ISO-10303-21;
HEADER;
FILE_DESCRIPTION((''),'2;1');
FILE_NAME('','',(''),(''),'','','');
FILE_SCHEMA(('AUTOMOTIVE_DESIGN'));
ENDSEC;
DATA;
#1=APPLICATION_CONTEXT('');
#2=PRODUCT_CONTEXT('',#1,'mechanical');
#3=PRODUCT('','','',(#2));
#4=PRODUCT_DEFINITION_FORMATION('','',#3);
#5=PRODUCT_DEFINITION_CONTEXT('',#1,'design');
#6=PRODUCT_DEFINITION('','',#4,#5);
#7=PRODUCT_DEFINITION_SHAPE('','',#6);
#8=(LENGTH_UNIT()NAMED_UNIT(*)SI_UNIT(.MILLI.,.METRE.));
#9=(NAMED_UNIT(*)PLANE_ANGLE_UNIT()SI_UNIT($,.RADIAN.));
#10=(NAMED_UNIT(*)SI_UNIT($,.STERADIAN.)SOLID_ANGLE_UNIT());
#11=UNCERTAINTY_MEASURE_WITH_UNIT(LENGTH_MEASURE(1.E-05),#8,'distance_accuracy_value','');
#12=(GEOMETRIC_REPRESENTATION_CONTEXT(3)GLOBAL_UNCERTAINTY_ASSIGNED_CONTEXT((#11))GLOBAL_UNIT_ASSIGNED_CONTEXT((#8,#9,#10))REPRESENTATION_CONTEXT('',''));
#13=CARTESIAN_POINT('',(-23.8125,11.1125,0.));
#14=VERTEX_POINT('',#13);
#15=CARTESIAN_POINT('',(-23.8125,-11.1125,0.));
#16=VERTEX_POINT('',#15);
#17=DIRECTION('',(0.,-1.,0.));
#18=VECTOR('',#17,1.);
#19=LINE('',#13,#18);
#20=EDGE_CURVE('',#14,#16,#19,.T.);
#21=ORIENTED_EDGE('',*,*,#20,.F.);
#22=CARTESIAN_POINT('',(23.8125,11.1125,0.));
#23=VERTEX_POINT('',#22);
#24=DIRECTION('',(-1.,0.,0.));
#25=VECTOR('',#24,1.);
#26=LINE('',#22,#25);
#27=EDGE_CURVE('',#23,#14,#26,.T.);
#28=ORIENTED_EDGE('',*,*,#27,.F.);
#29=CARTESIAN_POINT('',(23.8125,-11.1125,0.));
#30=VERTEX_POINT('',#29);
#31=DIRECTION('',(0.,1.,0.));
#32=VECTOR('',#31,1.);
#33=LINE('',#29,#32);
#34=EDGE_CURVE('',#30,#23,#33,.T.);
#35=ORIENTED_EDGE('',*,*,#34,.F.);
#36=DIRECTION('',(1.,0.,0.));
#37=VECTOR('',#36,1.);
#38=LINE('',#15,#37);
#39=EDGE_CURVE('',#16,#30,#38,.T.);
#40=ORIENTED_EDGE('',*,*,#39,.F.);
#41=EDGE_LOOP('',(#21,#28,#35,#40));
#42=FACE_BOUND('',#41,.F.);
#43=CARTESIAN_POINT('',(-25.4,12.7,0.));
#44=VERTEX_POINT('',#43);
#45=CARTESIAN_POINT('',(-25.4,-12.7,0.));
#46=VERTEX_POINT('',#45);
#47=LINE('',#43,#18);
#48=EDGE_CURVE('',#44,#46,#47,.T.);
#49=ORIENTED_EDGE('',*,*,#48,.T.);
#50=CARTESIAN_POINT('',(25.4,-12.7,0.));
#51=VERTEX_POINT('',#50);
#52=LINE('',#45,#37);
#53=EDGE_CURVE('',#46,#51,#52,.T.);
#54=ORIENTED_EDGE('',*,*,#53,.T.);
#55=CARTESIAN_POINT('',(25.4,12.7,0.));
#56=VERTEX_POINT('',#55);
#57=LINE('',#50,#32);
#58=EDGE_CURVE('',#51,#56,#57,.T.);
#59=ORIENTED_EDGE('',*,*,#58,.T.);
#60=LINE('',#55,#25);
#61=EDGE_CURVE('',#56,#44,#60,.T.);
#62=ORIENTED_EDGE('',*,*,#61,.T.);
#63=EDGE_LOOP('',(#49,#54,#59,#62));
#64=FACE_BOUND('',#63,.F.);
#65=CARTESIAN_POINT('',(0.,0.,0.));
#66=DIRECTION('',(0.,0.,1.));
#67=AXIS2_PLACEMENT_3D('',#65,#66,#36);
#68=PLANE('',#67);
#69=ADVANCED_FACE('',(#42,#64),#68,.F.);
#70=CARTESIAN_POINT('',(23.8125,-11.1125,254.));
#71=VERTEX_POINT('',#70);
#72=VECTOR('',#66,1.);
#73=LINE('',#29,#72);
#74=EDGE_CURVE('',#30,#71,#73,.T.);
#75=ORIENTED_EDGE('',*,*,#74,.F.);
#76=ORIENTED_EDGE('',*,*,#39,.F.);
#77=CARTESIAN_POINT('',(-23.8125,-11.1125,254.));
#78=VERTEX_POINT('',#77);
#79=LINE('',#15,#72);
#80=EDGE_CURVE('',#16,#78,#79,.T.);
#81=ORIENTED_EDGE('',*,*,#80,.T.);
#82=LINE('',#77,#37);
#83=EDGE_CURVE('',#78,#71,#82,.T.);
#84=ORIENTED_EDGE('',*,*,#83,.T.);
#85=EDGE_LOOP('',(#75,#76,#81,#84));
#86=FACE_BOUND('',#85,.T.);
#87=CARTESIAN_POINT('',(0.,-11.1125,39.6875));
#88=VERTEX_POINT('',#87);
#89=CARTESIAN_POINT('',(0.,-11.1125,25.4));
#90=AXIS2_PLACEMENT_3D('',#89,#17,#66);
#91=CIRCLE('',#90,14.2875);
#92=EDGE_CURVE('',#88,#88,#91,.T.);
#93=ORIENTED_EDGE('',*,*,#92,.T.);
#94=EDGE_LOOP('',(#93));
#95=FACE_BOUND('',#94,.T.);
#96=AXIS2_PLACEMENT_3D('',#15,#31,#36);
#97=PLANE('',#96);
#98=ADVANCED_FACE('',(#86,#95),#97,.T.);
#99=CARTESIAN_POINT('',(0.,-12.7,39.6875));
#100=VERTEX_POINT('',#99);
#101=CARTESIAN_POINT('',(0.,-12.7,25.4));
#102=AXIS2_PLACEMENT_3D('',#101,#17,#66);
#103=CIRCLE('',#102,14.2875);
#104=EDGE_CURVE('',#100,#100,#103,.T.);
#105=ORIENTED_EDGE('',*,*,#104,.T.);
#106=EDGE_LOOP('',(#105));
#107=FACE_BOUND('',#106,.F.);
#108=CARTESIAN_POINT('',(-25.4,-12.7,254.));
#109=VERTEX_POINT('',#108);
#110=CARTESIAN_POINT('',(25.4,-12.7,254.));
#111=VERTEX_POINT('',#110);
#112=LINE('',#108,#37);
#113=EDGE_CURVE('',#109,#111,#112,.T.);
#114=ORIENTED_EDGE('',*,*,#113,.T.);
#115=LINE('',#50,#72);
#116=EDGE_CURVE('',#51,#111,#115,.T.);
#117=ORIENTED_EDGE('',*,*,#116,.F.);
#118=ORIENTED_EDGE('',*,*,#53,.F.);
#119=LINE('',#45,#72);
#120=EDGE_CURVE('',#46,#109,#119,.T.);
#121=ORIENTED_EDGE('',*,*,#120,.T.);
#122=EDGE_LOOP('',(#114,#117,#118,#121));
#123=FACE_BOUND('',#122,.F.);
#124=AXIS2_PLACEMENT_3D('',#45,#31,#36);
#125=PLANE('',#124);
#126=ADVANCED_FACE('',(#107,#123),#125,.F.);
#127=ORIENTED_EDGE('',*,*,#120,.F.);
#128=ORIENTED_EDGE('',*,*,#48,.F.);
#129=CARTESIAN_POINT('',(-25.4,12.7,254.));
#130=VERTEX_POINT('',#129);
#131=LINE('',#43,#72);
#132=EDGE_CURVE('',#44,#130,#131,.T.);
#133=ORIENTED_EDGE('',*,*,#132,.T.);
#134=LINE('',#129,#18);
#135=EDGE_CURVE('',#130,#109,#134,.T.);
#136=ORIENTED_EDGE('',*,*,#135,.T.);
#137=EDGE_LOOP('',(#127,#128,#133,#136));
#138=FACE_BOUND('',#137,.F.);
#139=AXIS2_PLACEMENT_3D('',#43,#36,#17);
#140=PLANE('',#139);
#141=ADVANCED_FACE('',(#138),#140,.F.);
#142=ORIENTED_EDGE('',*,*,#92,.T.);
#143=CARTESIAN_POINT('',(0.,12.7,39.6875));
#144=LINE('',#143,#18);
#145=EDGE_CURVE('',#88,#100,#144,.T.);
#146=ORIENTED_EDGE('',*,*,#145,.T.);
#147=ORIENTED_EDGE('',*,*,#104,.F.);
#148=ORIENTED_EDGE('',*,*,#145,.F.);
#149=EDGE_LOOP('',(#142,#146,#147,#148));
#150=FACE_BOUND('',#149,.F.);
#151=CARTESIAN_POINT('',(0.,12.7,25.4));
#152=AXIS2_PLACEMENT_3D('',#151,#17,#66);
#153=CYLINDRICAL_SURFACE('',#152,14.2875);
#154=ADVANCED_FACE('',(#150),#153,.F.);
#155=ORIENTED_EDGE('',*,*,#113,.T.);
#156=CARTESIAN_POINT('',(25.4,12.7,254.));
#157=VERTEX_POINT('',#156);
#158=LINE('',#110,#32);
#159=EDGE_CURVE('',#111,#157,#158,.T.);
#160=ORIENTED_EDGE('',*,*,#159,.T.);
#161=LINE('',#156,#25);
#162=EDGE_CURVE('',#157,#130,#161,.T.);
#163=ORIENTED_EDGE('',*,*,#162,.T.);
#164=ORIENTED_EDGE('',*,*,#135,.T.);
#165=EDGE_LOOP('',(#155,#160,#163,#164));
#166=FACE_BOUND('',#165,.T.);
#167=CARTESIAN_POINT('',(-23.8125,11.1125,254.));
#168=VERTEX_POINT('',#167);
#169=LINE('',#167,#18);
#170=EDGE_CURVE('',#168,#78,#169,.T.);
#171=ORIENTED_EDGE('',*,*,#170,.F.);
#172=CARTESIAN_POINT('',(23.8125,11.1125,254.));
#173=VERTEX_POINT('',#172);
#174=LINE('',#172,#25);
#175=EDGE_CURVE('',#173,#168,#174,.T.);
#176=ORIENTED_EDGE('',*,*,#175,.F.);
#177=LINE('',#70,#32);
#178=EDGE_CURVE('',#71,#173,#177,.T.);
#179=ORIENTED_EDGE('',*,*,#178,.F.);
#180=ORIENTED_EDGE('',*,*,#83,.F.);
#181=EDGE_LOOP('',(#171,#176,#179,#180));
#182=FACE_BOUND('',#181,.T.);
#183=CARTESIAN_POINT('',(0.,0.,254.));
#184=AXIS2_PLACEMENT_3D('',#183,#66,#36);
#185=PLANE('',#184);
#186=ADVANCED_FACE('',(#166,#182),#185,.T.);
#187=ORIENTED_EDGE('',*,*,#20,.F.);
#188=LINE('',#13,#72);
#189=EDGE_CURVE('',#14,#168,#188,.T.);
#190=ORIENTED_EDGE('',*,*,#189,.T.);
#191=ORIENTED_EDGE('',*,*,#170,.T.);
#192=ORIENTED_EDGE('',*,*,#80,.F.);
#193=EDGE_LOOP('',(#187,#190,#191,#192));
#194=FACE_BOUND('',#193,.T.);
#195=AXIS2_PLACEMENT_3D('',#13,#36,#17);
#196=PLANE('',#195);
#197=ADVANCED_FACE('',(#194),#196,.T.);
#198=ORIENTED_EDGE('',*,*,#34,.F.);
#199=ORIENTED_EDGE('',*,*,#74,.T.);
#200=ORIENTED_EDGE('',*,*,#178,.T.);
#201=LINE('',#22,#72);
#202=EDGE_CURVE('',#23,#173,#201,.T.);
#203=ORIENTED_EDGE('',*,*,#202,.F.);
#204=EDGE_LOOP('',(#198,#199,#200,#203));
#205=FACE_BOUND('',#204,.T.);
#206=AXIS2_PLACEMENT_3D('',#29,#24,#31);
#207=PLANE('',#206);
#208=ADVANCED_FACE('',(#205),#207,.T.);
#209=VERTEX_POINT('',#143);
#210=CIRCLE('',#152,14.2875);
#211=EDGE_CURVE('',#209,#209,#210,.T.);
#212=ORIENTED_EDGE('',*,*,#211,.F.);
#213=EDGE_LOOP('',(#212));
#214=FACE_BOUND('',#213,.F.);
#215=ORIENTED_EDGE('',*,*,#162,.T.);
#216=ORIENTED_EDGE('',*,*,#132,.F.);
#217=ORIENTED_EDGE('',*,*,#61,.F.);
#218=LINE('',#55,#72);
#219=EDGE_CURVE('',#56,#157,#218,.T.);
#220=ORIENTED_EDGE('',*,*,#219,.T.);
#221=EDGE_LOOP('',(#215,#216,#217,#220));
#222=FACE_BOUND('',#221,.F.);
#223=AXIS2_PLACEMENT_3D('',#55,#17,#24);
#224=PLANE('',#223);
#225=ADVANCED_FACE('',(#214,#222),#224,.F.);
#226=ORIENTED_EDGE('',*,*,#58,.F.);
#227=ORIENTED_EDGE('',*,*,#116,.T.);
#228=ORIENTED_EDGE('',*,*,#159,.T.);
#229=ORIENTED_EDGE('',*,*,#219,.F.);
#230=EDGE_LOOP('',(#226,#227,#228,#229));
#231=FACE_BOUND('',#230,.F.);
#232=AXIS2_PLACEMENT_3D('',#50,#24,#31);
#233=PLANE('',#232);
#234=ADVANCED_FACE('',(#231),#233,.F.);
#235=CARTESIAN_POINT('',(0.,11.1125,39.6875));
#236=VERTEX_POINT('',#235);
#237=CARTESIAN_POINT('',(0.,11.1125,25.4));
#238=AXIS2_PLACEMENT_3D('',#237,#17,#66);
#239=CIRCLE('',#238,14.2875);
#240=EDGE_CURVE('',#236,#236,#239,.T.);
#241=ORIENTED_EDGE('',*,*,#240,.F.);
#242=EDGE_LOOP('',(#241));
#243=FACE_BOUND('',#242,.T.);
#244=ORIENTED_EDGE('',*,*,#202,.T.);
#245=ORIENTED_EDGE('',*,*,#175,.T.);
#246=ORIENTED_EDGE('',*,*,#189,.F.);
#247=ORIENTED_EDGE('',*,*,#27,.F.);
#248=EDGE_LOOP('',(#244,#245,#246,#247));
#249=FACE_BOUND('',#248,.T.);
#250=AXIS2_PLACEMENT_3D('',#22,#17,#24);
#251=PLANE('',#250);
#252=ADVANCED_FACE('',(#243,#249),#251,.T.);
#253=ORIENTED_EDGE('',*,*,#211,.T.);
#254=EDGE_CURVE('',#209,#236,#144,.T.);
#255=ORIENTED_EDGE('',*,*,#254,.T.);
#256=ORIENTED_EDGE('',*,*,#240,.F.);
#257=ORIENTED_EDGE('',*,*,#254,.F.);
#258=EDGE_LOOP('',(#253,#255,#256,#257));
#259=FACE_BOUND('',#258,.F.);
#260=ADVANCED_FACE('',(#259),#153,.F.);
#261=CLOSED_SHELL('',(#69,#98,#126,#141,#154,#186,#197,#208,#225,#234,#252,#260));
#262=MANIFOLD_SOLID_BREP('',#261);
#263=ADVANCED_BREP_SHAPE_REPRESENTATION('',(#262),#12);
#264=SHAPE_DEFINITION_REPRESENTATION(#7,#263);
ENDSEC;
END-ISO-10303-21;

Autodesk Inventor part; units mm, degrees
ref_plane "YZ Plane" through (0, 0, 0) normal (1, 0, 0) x (0, 1, 0)
ref_plane "XZ Plane" through (0, 0, 0) normal (0, 1, 0) x (-1, 0, 0)
ref_plane "XY Plane" through (0, 0, 0) normal (0, 0, 1) x (1, 0, 0)
sketch "Sketch1" plane through (0, 0, 0) normal (0, 0, 1) x (1, 0, 0)
  line L0 (-25.4, -12.7) -> (25.4, -12.7)
  line L1 (25.4, -12.7) -> (25.4, 12.7)
  line L2 (25.4, 12.7) -> (-25.4, 12.7)
  line L3 (-25.4, 12.7) -> (-25.4, -12.7)
  line L4 (-25.4, -12.7) -> (25.4, 12.7) construction
  line L5 (25.4, -12.7) -> (-25.4, 12.7) construction
  line L6 (-23.8125, -11.1125) -> (23.8125, -11.1125)
  line L7 (23.8125, -11.1125) -> (23.8125, 11.1125)
  line L8 (23.8125, 11.1125) -> (-23.8125, 11.1125)
  line L9 (-23.8125, 11.1125) -> (-23.8125, -11.1125)
  line L10 (-23.8125, -11.1125) -> (23.8125, 11.1125) construction
  line L11 (23.8125, -11.1125) -> (-23.8125, 11.1125) construction
  point P0 (0, 0)
  dimension "d0" = 50.8
  dimension "d1" = 25.4
  dimension "d2" = 47.625
  dimension "d3" = 22.225
extrude "Extrusion1" add sketch "Sketch1" along normal blind 254
sketch "Sketch2" plane through (-25.4, 12.7, 0) normal (0, 1, 0) x (1, 0, 0)
  line L0 (0, 0) -> (0, -254) projected
  point P0 (25.4, 0)
  point P1 (25.4, -25.4)
  dimension "d13" = 25.4
  dimension "d14" = 25.4
hole "Hole1" at (0, 12.7, 25.4) direction (0, -1, 0) diameter 28.575 end through all
properties part number "2x1 Support" material "Aluminum 6061"
